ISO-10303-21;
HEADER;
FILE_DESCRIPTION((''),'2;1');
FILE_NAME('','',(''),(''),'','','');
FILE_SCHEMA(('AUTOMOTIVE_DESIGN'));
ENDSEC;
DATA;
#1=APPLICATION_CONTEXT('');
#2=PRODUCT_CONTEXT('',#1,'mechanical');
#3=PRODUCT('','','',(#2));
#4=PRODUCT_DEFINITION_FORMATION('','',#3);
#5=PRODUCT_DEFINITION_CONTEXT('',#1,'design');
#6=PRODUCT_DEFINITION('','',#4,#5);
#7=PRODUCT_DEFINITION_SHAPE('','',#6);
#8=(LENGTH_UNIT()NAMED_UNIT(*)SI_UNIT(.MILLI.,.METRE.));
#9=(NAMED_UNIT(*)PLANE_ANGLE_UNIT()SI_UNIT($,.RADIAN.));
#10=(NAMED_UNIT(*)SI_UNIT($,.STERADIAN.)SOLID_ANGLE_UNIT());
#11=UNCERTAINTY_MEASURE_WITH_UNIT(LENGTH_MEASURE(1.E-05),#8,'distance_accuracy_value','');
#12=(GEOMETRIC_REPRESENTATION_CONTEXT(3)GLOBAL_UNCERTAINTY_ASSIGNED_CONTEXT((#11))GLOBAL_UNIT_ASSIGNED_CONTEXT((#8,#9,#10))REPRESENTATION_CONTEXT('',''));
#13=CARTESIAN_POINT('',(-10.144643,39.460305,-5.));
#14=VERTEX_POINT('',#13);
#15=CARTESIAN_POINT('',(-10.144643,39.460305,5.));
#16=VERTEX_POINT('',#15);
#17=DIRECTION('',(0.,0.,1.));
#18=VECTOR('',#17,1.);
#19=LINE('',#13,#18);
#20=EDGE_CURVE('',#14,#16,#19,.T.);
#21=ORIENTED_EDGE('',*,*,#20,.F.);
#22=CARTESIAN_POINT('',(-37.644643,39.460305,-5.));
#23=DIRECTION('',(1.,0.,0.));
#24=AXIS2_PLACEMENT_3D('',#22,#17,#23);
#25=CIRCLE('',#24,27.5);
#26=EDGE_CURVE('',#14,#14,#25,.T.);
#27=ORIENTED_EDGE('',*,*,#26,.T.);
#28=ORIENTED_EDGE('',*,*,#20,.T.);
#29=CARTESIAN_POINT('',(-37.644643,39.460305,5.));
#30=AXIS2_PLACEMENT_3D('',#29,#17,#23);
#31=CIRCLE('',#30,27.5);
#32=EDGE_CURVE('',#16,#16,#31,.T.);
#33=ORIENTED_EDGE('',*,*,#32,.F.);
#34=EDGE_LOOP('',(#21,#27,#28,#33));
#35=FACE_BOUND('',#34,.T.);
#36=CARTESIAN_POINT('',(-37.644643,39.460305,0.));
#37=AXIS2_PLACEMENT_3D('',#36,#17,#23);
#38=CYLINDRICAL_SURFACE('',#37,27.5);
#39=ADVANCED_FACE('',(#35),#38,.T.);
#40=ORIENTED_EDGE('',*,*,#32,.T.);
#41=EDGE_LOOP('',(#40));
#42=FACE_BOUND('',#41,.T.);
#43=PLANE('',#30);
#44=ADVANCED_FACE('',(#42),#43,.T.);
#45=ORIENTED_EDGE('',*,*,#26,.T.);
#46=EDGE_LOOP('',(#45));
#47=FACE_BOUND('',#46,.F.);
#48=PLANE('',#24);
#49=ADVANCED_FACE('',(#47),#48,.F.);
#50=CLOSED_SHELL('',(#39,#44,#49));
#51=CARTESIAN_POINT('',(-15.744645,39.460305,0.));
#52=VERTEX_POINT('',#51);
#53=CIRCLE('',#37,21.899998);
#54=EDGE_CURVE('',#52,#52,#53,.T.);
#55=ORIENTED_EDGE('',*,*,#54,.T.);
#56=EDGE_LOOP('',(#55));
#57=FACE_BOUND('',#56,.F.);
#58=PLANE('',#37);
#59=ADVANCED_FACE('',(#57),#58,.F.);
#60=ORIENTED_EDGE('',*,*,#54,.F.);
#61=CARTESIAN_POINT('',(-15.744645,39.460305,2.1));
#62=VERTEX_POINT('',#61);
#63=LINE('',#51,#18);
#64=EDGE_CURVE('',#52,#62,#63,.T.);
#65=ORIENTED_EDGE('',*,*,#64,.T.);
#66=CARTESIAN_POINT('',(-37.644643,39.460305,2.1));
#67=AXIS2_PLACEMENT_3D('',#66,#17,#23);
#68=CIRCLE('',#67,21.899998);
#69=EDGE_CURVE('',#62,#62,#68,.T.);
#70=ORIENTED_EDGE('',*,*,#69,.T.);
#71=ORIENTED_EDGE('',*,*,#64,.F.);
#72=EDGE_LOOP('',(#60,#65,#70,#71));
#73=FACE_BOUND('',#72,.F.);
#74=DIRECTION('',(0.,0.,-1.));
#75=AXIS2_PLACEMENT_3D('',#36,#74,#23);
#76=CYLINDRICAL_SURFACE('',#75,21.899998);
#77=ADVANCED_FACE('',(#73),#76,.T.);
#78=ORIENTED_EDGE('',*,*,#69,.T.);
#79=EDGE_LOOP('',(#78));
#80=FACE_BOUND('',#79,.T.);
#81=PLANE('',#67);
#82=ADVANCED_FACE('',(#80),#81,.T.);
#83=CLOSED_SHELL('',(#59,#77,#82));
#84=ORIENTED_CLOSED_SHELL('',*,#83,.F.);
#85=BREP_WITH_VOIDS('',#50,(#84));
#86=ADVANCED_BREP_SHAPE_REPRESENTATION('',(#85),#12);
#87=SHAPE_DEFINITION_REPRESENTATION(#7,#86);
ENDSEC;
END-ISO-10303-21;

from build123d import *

# Parameters (mm, degrees)
F0_R          = 27.5
F1_DEPTH      = 5
F1_DEPTH_BACK = 5
F3_R          = 21.899998
F4_DEPTH      = 2.1


with BuildPart() as f1:
    # F0 (on Top) → F1 (new body, two sides)
    with BuildSketch(Plane.XY) as f1_sk:
        with Locations((-37.644643, 39.460305)):
            Circle(F0_R)
    extrude(amount=F1_DEPTH)
    extrude(f1_sk.sketch, amount=-F1_DEPTH_BACK)

    # F3 (on Top) → F4 (cut)
    with BuildSketch(Plane.XY):
        with Locations((-37.644643, 39.460305)):
            Circle(F3_R)
    extrude(amount=F4_DEPTH, mode=Mode.SUBTRACT)


solid = f1.part
